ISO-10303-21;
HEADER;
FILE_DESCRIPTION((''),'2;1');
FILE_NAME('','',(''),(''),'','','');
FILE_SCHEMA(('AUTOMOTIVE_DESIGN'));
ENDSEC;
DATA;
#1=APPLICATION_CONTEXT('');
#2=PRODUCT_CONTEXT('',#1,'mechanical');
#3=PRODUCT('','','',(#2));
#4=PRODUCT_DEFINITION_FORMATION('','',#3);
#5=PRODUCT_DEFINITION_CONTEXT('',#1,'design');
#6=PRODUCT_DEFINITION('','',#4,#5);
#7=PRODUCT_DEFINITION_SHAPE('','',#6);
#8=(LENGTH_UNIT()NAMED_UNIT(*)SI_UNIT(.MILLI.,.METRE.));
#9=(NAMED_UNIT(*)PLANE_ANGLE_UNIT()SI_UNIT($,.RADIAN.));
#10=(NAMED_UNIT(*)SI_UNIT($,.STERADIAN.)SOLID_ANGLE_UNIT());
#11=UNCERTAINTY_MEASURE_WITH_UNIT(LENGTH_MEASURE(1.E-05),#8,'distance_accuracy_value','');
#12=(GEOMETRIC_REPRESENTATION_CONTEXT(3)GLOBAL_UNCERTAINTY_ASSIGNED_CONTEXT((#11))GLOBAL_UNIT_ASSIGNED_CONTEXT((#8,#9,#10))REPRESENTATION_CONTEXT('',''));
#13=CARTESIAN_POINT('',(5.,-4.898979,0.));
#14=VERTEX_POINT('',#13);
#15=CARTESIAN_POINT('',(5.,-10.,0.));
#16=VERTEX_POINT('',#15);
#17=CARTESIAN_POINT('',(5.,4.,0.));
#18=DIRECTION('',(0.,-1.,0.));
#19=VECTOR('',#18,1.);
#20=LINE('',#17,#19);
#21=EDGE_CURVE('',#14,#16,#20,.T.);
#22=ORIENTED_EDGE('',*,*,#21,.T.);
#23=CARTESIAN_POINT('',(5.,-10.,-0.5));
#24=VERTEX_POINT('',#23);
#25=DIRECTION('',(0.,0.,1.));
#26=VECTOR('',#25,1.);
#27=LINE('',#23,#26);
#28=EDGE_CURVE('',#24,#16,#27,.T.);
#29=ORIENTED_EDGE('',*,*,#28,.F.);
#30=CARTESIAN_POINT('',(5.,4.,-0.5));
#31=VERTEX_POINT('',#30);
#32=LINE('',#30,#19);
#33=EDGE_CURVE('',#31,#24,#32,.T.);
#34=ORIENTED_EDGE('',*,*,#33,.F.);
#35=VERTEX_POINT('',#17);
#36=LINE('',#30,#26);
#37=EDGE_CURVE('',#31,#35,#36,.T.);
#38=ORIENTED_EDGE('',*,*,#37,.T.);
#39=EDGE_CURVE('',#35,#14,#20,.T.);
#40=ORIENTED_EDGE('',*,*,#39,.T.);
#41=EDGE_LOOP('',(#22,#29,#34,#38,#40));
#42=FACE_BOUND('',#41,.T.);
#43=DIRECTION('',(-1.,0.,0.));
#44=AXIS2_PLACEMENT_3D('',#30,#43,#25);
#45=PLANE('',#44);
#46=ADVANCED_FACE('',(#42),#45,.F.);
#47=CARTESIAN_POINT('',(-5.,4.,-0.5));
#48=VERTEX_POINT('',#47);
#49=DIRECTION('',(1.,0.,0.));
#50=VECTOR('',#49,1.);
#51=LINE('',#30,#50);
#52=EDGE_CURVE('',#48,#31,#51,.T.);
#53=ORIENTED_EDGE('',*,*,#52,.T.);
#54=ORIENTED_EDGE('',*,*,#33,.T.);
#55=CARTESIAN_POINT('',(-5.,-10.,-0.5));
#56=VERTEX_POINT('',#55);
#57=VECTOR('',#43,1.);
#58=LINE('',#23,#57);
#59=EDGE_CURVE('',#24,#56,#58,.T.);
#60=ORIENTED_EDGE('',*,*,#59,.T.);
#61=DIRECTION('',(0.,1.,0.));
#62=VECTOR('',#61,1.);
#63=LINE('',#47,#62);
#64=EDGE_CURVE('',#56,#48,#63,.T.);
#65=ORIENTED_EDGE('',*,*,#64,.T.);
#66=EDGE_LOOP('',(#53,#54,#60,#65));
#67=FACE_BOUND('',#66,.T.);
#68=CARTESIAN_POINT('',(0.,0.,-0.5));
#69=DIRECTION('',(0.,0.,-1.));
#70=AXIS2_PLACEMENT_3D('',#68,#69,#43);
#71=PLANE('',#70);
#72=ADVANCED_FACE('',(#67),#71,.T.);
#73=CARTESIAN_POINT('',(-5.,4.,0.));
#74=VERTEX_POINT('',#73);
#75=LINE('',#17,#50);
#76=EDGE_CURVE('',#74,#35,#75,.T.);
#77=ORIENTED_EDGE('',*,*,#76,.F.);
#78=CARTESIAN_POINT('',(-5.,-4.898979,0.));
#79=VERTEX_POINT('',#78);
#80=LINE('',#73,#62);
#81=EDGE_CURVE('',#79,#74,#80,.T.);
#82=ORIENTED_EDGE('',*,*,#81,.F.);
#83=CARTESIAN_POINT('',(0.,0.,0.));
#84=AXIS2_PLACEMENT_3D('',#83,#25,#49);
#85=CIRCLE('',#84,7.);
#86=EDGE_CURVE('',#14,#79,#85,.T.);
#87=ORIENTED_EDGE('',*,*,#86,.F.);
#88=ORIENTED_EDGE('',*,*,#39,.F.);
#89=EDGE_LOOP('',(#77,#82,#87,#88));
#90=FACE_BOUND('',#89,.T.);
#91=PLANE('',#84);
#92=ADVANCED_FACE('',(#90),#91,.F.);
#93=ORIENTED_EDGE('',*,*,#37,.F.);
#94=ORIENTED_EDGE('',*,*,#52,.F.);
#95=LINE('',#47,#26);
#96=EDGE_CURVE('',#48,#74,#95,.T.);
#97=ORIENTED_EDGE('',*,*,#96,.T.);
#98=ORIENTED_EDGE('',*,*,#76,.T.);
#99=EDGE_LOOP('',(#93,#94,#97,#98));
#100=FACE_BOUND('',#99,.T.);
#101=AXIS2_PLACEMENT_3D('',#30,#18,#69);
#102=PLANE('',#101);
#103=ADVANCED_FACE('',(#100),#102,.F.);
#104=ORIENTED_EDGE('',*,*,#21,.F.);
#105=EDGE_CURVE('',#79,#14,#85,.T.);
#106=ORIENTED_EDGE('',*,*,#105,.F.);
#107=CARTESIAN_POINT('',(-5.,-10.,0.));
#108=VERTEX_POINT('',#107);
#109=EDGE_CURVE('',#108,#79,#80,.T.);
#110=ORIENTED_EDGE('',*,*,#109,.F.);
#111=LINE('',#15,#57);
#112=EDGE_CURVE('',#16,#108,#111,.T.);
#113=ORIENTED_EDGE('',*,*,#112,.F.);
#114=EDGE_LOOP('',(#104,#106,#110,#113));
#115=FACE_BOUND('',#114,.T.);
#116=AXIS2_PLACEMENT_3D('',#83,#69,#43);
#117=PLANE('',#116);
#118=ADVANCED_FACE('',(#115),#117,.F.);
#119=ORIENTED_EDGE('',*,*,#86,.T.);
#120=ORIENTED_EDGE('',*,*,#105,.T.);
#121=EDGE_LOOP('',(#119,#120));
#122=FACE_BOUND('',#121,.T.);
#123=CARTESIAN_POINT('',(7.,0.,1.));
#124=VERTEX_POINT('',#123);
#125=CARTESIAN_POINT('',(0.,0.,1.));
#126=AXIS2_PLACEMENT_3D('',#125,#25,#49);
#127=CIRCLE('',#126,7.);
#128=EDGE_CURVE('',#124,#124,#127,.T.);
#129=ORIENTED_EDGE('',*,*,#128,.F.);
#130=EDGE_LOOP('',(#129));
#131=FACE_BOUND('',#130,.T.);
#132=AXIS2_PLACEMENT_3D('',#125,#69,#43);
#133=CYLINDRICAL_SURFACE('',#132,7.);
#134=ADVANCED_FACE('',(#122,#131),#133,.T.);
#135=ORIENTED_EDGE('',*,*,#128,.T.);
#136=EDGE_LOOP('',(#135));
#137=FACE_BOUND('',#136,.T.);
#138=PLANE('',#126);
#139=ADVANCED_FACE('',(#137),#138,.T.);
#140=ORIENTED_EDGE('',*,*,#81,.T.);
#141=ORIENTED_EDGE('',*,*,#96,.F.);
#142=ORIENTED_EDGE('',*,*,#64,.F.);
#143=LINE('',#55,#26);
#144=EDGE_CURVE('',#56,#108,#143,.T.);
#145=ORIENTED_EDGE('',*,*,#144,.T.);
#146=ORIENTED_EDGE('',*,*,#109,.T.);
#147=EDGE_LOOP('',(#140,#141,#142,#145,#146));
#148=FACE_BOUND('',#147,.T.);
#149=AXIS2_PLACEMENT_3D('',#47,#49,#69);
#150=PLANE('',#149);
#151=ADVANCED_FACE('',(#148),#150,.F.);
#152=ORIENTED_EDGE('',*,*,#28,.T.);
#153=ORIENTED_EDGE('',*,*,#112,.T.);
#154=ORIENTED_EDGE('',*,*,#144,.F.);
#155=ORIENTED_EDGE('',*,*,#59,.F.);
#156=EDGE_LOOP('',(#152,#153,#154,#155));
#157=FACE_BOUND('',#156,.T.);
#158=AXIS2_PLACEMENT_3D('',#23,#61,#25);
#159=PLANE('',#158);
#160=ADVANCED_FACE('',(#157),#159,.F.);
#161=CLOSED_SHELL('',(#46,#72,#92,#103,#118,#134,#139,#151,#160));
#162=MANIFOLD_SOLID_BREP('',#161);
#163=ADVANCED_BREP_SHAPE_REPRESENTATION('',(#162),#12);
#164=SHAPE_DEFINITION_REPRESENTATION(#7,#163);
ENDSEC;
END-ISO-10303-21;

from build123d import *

# Parameters (mm, degrees)
SKETCH1_R           = 7
BOSS_EXTRUDE1_DEPTH = 1
SKETCH2_W           = 10
SKETCH2_H           = 14
BOSS_EXTRUDE2_DEPTH = 0.5


with BuildPart() as part:
    # Sketch1 → Boss-Extrude1 (new body)
    with BuildSketch(Plane.XY):
        Circle(SKETCH1_R)
    extrude(amount=BOSS_EXTRUDE1_DEPTH)

    # Sketch2 → Boss-Extrude2 (add)
    with BuildSketch(Plane(origin=(0, 0, 0), x_dir=(-1, 0, 0), z_dir=(0, 0, -1))):
        with Locations((0, -3)):
            Rectangle(SKETCH2_W, SKETCH2_H)
    extrude(amount=BOSS_EXTRUDE2_DEPTH)


solid = part.part
